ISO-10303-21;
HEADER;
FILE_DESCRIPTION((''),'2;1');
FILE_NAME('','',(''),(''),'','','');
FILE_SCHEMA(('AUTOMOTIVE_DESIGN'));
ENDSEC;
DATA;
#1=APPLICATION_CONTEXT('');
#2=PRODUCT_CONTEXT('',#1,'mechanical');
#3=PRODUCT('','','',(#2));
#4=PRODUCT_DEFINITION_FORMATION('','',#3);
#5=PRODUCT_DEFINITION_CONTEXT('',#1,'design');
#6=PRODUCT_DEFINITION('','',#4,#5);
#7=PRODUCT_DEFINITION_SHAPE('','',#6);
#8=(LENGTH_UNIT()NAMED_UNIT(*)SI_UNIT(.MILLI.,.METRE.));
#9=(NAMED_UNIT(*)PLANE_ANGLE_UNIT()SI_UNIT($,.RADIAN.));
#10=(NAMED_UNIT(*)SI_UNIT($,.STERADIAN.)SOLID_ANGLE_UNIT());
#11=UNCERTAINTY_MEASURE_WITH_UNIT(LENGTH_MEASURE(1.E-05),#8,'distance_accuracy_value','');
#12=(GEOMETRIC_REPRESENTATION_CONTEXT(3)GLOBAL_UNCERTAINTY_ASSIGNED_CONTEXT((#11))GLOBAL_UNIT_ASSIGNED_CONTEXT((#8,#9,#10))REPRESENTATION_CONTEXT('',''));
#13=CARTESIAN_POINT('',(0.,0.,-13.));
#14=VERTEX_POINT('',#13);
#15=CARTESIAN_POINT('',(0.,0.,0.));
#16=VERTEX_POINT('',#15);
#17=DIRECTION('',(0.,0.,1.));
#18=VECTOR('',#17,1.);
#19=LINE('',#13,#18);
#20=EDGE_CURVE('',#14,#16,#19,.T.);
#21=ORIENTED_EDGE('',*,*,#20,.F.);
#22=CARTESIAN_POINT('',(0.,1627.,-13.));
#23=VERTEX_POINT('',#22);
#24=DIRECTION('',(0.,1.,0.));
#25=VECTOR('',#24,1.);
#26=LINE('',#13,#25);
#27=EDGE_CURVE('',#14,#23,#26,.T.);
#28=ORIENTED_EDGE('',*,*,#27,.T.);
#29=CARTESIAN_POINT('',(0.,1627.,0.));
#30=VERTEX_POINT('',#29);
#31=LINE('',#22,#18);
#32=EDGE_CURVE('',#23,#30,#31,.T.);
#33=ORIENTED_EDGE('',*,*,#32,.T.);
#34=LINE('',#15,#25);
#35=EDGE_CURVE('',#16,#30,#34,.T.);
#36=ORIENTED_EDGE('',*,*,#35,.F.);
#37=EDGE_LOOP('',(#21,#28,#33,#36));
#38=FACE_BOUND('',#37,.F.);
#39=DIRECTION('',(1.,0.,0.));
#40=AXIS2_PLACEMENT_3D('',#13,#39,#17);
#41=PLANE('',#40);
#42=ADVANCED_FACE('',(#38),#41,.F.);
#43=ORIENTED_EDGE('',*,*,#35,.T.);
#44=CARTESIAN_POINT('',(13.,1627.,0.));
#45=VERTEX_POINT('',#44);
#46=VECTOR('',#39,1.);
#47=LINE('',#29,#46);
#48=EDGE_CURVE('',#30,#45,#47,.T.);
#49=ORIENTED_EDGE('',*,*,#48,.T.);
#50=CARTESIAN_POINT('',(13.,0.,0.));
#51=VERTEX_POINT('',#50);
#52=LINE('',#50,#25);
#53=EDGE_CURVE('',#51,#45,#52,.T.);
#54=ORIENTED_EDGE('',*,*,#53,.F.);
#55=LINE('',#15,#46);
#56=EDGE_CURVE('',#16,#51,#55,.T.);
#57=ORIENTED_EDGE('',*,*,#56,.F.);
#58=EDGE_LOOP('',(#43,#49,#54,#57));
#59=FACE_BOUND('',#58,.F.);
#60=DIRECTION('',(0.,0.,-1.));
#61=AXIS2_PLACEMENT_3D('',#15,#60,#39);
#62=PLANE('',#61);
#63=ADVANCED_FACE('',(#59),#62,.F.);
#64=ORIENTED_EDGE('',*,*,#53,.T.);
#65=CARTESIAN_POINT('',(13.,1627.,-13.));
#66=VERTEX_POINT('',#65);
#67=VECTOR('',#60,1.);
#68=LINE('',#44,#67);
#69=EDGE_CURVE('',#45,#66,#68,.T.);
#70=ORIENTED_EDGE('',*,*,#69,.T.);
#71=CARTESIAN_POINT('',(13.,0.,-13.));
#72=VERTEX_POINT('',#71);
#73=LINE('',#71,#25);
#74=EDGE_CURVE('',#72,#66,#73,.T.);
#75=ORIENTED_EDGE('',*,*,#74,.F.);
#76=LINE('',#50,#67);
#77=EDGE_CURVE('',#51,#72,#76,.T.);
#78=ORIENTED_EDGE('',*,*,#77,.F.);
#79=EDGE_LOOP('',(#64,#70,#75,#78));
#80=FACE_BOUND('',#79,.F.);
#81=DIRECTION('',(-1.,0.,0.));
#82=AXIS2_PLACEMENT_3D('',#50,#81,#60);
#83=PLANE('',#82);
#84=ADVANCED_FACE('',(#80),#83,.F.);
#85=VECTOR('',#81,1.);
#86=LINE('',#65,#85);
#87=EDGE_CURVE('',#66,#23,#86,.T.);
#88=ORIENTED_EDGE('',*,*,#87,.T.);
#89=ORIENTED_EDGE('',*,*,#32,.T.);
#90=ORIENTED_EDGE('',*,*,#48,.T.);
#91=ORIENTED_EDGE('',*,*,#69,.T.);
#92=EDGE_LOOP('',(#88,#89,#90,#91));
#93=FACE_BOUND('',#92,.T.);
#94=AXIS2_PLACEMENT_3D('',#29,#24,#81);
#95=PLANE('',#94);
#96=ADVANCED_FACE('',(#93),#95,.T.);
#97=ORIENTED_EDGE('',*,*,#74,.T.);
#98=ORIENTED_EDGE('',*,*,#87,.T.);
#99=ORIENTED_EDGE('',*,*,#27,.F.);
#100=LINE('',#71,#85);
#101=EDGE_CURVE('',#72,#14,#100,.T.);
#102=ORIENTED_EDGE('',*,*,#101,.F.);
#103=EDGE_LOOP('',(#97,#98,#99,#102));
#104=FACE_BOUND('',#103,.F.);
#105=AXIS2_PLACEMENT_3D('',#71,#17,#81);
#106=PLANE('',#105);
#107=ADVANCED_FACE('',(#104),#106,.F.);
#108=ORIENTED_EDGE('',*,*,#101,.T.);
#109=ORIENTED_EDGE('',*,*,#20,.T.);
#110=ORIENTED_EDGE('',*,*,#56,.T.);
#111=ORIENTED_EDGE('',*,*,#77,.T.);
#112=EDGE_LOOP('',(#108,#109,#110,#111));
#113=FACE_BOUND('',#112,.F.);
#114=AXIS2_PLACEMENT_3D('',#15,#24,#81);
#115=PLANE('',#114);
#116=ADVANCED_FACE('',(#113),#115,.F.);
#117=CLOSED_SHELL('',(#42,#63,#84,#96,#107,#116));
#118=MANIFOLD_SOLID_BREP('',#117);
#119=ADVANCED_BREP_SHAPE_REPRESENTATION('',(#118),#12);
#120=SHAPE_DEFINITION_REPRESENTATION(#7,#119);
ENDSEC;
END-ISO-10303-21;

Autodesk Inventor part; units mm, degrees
ref_plane "YZ Plane" through (0, 0, 0) normal (1, 0, 0) x (0, 1, 0)
ref_plane "XZ Plane" through (0, 0, 0) normal (0, 1, 0) x (-1, 0, 0)
ref_plane "XY Plane" through (0, 0, 0) normal (0, 0, 1) x (1, 0, 0)
sketch "Sketch1" plane through (0, 0, 0) normal (0, 1, 0) x (-1, 0, 0)
  line L0 (0, 0) -> (-13, 0)
  line L1 (-13, 0) -> (-13, -13)
  line L2 (-13, -13) -> (0, -13)
  line L3 (0, -13) -> (0, 0)
  dimension "d0" = 13
  dimension "d1" = 13
extrude "Extrusion1" add sketch "Sketch1" along normal blind 1627
properties part number "wood spar"
